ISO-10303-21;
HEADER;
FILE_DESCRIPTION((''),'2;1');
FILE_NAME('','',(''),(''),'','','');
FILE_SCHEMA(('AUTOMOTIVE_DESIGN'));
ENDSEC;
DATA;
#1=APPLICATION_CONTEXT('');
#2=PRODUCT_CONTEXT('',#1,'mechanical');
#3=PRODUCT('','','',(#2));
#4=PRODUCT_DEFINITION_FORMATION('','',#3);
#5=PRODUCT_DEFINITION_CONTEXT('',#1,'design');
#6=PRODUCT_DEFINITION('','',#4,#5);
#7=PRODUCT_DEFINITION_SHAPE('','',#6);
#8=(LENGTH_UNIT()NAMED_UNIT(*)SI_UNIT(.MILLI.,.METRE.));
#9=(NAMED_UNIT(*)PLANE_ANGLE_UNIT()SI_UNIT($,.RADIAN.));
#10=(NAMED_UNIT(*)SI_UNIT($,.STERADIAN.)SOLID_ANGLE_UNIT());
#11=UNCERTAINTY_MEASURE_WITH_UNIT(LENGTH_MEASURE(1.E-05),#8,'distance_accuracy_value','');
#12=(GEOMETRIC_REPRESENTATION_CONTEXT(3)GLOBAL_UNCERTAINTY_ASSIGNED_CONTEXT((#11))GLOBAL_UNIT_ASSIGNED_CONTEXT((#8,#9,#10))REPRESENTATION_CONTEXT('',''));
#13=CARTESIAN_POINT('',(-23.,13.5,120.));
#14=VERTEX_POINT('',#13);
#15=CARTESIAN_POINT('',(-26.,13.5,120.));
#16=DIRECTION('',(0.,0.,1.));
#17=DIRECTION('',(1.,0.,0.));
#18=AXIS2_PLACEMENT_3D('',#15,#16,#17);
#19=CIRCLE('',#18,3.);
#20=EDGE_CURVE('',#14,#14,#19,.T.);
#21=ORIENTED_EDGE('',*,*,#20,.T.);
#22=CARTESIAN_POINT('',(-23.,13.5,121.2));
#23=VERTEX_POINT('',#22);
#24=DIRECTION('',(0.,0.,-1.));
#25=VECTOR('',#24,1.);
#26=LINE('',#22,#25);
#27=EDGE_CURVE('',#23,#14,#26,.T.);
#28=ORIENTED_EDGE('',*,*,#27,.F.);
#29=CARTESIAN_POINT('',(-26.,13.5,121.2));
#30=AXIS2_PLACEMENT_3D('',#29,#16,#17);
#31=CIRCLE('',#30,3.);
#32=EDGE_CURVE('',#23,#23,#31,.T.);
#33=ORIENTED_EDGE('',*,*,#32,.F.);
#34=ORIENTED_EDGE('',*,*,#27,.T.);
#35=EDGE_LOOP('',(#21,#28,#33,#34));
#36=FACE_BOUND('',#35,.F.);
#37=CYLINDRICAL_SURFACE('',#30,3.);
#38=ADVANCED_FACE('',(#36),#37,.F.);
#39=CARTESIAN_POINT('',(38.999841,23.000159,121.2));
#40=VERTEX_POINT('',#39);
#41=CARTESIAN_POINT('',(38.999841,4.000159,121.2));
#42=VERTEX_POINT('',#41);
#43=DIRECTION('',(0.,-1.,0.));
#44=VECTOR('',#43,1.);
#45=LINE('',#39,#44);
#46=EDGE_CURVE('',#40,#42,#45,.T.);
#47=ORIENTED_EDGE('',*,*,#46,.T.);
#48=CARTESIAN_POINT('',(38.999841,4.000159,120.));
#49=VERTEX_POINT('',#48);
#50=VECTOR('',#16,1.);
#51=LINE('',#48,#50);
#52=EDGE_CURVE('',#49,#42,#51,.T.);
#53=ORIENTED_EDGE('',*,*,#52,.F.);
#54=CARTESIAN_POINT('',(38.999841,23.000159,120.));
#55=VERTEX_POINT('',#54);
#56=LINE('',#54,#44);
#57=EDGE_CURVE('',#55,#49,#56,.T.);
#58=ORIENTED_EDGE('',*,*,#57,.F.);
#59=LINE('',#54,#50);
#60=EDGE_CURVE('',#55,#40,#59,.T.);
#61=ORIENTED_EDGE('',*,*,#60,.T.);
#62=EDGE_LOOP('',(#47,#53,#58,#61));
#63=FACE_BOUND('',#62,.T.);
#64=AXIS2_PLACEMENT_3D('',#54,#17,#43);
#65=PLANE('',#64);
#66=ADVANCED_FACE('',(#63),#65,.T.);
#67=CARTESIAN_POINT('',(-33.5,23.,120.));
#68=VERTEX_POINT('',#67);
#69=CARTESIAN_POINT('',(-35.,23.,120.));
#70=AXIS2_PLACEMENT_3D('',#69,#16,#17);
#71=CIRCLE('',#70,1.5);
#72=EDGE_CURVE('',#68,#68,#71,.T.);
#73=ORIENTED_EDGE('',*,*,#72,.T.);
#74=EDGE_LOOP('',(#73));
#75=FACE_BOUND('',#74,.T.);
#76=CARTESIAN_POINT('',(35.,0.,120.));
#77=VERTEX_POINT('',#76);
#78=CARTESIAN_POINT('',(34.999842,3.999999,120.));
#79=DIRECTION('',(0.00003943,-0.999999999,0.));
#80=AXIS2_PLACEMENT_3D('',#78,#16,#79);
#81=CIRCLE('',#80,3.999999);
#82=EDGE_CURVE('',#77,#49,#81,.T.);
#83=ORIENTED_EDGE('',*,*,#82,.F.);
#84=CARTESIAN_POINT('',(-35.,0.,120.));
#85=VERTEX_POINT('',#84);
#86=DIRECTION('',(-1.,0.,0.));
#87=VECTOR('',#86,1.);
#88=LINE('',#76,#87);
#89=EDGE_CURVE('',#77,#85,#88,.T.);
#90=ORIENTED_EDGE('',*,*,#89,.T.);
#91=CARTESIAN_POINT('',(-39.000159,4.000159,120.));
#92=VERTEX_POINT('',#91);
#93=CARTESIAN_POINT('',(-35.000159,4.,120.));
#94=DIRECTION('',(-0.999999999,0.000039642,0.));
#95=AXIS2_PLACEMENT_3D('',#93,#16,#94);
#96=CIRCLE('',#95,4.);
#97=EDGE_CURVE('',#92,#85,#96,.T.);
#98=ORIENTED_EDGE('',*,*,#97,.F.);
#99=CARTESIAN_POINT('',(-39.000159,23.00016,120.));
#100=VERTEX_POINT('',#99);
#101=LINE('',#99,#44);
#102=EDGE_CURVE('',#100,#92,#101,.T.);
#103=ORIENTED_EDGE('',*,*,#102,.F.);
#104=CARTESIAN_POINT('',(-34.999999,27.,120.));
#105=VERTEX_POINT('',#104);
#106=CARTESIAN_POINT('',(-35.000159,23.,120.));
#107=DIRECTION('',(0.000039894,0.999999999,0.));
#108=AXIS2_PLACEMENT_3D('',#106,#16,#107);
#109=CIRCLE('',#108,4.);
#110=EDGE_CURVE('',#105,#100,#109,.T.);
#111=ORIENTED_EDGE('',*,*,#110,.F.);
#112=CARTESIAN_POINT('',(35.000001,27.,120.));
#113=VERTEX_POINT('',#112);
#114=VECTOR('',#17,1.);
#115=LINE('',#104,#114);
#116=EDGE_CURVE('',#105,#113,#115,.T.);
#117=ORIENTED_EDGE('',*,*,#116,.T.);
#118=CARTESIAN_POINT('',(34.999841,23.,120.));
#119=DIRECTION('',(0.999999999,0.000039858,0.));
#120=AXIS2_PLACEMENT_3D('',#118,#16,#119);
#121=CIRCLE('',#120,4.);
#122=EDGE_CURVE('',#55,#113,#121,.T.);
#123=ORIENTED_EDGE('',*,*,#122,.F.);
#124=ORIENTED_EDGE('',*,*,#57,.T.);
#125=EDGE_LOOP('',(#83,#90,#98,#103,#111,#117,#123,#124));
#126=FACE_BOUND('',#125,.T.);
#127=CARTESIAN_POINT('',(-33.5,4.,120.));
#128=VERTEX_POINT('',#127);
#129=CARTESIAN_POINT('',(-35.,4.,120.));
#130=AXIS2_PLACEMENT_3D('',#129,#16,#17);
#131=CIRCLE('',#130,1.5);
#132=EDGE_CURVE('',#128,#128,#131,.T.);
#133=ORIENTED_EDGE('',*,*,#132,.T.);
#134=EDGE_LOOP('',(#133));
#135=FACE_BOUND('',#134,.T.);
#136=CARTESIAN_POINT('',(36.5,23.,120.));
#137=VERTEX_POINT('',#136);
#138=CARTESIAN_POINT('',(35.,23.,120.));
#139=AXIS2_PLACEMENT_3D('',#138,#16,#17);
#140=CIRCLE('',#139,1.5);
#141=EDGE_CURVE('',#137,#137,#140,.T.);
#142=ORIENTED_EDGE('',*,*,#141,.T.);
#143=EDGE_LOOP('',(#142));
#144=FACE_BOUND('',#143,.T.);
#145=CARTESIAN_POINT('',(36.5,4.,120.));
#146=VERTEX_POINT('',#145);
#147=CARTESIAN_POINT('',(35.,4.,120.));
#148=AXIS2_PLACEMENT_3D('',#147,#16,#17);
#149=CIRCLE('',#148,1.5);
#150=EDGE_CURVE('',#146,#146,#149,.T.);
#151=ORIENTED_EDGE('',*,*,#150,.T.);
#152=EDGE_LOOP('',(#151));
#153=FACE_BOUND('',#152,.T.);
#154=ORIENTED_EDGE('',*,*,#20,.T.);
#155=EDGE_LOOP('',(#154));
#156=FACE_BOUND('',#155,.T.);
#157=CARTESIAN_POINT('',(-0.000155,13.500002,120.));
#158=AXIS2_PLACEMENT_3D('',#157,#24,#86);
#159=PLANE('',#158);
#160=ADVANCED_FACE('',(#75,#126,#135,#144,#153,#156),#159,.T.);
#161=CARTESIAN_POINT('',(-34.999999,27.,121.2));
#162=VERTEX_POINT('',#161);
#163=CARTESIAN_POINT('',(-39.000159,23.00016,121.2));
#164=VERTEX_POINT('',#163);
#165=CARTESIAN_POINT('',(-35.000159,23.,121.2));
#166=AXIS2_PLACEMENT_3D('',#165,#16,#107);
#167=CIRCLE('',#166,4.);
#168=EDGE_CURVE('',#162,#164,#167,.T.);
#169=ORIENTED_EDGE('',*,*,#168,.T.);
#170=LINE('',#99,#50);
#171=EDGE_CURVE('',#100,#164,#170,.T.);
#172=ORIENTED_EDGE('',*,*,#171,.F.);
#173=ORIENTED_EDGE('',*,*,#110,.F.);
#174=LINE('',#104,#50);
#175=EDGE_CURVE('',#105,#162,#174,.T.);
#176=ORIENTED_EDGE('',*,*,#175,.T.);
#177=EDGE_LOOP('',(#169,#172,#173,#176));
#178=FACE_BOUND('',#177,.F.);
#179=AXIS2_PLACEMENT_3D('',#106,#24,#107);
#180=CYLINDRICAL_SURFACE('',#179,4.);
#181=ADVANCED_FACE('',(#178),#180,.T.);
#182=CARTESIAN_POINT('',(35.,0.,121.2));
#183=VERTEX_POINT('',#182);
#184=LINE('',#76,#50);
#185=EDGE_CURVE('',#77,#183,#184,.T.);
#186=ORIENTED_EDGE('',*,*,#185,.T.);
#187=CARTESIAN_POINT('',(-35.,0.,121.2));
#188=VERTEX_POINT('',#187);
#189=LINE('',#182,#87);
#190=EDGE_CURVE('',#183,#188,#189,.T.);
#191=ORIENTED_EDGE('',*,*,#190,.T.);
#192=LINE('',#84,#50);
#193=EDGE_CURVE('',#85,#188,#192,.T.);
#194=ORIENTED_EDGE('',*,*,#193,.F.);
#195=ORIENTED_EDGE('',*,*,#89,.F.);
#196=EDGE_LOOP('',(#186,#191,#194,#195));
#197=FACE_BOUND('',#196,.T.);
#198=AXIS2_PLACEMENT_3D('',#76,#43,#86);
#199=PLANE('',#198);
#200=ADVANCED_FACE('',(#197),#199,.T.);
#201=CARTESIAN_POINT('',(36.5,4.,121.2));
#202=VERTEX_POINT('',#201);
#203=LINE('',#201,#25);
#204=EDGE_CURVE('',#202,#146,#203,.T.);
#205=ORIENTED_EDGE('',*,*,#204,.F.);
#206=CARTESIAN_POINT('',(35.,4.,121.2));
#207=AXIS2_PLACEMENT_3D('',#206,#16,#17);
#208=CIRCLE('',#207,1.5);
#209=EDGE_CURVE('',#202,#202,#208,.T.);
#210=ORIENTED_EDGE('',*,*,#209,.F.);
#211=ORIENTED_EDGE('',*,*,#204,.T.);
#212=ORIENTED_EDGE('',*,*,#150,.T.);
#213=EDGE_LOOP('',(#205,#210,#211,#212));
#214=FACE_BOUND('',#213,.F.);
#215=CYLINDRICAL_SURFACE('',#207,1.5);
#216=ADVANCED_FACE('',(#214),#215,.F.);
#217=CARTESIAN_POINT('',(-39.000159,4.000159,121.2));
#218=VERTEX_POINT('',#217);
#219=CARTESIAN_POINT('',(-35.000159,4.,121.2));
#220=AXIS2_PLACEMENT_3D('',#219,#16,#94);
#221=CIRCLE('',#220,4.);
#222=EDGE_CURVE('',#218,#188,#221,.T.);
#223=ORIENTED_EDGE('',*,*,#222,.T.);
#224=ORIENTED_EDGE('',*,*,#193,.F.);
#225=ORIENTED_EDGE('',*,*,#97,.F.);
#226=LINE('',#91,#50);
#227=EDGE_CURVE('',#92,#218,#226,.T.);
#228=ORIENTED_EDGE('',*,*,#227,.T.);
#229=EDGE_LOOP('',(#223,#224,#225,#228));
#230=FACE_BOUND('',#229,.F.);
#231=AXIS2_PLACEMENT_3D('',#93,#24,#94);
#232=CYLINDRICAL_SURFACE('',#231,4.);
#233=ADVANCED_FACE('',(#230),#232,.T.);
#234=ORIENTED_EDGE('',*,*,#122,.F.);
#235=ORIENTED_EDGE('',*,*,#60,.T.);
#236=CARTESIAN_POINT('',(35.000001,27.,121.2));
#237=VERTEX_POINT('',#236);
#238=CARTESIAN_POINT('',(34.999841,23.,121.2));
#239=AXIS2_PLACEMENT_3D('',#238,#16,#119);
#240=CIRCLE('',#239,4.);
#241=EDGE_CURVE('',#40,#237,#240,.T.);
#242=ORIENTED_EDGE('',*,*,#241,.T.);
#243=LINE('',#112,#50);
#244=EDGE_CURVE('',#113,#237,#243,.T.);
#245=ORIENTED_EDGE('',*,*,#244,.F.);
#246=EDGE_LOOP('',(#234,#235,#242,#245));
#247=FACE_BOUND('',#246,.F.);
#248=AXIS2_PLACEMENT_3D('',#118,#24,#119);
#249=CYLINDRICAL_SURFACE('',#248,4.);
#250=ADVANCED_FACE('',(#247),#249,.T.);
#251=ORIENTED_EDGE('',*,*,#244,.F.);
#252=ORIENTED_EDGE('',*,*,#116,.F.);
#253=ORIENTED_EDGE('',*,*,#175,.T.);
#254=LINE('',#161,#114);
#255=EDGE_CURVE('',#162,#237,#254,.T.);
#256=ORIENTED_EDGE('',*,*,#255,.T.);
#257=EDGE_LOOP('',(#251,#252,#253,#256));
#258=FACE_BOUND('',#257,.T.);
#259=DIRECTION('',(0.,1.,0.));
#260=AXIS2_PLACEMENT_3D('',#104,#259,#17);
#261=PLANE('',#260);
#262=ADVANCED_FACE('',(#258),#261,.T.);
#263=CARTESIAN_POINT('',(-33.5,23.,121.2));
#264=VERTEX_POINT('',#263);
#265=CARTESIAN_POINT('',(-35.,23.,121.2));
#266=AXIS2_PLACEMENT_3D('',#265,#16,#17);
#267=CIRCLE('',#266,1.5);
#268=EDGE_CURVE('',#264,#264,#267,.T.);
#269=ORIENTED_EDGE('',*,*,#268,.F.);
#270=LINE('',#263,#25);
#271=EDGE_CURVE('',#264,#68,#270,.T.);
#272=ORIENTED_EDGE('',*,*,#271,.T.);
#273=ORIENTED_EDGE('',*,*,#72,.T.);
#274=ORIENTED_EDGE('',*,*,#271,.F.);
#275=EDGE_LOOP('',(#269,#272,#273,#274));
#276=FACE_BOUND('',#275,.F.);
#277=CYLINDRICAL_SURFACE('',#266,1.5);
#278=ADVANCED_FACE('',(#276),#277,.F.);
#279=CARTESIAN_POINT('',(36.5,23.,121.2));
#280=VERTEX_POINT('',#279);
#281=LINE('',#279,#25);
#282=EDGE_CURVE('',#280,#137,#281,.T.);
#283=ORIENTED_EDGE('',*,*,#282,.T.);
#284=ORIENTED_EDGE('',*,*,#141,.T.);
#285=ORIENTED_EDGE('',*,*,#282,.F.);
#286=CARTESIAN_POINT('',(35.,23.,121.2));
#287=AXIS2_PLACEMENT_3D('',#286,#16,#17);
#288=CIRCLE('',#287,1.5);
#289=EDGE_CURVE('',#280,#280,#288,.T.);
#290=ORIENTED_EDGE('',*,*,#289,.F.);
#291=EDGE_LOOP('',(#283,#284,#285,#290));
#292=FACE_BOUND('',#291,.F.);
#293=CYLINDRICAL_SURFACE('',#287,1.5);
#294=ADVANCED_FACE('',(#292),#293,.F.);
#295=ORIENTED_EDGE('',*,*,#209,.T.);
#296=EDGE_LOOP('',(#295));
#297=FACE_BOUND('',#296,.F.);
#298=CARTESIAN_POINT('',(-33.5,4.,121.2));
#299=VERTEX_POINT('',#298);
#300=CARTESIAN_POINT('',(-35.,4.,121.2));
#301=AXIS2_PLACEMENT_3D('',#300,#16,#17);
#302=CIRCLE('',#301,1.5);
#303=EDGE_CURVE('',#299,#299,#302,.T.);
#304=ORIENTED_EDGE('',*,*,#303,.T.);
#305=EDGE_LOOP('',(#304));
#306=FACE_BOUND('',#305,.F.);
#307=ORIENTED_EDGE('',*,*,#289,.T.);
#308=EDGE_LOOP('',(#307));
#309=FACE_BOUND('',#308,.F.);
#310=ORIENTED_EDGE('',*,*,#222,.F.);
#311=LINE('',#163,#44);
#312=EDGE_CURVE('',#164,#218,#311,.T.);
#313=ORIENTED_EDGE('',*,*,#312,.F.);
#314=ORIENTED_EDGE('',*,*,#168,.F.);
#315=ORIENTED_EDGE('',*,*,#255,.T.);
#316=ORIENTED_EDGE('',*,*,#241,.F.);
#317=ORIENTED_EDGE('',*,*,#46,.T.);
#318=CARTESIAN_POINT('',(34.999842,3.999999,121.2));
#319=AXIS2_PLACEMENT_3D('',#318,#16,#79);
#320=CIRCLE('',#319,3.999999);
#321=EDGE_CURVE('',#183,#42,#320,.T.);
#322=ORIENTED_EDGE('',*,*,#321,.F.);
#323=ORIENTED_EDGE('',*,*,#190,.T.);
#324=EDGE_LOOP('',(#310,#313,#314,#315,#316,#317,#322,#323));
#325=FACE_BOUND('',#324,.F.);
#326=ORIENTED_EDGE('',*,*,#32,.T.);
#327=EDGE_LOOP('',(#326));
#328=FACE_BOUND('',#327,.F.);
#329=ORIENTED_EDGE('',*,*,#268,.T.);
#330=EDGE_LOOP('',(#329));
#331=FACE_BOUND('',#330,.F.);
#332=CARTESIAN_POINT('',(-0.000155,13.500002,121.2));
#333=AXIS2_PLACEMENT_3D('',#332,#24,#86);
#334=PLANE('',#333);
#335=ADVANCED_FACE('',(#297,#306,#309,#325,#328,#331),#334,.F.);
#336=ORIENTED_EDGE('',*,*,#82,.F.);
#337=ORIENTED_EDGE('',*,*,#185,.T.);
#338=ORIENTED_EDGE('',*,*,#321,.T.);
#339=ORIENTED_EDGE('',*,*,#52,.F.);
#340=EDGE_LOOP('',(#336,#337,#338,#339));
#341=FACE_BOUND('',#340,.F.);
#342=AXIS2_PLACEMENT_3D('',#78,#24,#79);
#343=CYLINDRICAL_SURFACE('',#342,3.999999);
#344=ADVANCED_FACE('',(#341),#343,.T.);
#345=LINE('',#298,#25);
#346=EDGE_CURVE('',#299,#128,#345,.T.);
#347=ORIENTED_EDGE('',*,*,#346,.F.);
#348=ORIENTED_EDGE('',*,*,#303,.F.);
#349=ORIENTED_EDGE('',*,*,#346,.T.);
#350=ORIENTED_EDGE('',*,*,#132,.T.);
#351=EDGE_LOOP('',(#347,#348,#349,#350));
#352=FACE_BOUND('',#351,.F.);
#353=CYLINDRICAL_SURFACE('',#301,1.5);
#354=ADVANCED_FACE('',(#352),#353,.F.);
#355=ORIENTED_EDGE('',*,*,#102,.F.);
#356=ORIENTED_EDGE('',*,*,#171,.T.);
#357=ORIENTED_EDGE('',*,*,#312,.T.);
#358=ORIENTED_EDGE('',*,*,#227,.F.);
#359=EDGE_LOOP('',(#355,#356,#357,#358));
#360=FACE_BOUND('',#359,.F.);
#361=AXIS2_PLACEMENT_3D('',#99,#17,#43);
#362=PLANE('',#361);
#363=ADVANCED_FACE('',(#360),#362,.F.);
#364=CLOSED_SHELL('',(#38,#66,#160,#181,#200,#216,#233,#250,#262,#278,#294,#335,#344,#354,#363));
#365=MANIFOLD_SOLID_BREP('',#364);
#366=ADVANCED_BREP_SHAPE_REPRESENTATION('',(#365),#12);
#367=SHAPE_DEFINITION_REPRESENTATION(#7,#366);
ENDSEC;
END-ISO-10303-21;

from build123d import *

# Parameters (mm, degrees)
PAD041_DEPTH    = 1.2
SKETCH044_R     = 1.5
POCKET001_DEPTH = 5
SKETCH046_R     = 3
POCKET003_DEPTH = 5


with BuildPart() as part:
    # Sketch042 → Pad041 (new body)
    with BuildSketch(Plane.XY):
        with BuildLine():
            Line((-34.999999, 27), (35.000001, 27))
            ThreePointArc((38.999841, 23.000159), (37.828268, 25.828427), (35.000001, 27))
            Line((38.999841, 23.000159), (38.999841, 4.000159))
            ThreePointArc((35, 0), (37.828381, 1.171685), (38.999841, 4.000159))
            Line((35, 0), (-35, 0))
            ThreePointArc((-39.000159, 4.000159), (-37.828586, 1.171573), (-35, 0))
            Line((-39.000159, 23.00016), (-39.000159, 4.000159))
            ThreePointArc((-34.999999, 27), (-37.828473, 25.82854), (-39.000159, 23.00016))
        make_face()
    extrude(amount=PAD041_DEPTH)

    # Sketch044 (on Face10 of Pad041) → Pocket001 (cut)
    with BuildSketch(Plane.XY.offset(1.2)):
        with Locations((-35, 23)):
            Circle(SKETCH044_R)
        with Locations((35, 23)):
            Circle(SKETCH044_R)
        with Locations((35, 4)):
            Circle(SKETCH044_R)
        with Locations((-35, 4)):
            Circle(SKETCH044_R)
    extrude(amount=-POCKET001_DEPTH, mode=Mode.SUBTRACT)

    # Sketch046 (on Face5 of Pocket001) → Pocket003 (cut)
    with BuildSketch(Plane.XY.offset(1.2)):
        with Locations((-26, 13.5)):
            Circle(SKETCH046_R)
    extrude(amount=-POCKET003_DEPTH, mode=Mode.SUBTRACT)


with BuildPart() as part_1:
    # Body015 placement: moved
    add(part.part.moved(Location((0, 0, 120))))


solid = part_1.part
